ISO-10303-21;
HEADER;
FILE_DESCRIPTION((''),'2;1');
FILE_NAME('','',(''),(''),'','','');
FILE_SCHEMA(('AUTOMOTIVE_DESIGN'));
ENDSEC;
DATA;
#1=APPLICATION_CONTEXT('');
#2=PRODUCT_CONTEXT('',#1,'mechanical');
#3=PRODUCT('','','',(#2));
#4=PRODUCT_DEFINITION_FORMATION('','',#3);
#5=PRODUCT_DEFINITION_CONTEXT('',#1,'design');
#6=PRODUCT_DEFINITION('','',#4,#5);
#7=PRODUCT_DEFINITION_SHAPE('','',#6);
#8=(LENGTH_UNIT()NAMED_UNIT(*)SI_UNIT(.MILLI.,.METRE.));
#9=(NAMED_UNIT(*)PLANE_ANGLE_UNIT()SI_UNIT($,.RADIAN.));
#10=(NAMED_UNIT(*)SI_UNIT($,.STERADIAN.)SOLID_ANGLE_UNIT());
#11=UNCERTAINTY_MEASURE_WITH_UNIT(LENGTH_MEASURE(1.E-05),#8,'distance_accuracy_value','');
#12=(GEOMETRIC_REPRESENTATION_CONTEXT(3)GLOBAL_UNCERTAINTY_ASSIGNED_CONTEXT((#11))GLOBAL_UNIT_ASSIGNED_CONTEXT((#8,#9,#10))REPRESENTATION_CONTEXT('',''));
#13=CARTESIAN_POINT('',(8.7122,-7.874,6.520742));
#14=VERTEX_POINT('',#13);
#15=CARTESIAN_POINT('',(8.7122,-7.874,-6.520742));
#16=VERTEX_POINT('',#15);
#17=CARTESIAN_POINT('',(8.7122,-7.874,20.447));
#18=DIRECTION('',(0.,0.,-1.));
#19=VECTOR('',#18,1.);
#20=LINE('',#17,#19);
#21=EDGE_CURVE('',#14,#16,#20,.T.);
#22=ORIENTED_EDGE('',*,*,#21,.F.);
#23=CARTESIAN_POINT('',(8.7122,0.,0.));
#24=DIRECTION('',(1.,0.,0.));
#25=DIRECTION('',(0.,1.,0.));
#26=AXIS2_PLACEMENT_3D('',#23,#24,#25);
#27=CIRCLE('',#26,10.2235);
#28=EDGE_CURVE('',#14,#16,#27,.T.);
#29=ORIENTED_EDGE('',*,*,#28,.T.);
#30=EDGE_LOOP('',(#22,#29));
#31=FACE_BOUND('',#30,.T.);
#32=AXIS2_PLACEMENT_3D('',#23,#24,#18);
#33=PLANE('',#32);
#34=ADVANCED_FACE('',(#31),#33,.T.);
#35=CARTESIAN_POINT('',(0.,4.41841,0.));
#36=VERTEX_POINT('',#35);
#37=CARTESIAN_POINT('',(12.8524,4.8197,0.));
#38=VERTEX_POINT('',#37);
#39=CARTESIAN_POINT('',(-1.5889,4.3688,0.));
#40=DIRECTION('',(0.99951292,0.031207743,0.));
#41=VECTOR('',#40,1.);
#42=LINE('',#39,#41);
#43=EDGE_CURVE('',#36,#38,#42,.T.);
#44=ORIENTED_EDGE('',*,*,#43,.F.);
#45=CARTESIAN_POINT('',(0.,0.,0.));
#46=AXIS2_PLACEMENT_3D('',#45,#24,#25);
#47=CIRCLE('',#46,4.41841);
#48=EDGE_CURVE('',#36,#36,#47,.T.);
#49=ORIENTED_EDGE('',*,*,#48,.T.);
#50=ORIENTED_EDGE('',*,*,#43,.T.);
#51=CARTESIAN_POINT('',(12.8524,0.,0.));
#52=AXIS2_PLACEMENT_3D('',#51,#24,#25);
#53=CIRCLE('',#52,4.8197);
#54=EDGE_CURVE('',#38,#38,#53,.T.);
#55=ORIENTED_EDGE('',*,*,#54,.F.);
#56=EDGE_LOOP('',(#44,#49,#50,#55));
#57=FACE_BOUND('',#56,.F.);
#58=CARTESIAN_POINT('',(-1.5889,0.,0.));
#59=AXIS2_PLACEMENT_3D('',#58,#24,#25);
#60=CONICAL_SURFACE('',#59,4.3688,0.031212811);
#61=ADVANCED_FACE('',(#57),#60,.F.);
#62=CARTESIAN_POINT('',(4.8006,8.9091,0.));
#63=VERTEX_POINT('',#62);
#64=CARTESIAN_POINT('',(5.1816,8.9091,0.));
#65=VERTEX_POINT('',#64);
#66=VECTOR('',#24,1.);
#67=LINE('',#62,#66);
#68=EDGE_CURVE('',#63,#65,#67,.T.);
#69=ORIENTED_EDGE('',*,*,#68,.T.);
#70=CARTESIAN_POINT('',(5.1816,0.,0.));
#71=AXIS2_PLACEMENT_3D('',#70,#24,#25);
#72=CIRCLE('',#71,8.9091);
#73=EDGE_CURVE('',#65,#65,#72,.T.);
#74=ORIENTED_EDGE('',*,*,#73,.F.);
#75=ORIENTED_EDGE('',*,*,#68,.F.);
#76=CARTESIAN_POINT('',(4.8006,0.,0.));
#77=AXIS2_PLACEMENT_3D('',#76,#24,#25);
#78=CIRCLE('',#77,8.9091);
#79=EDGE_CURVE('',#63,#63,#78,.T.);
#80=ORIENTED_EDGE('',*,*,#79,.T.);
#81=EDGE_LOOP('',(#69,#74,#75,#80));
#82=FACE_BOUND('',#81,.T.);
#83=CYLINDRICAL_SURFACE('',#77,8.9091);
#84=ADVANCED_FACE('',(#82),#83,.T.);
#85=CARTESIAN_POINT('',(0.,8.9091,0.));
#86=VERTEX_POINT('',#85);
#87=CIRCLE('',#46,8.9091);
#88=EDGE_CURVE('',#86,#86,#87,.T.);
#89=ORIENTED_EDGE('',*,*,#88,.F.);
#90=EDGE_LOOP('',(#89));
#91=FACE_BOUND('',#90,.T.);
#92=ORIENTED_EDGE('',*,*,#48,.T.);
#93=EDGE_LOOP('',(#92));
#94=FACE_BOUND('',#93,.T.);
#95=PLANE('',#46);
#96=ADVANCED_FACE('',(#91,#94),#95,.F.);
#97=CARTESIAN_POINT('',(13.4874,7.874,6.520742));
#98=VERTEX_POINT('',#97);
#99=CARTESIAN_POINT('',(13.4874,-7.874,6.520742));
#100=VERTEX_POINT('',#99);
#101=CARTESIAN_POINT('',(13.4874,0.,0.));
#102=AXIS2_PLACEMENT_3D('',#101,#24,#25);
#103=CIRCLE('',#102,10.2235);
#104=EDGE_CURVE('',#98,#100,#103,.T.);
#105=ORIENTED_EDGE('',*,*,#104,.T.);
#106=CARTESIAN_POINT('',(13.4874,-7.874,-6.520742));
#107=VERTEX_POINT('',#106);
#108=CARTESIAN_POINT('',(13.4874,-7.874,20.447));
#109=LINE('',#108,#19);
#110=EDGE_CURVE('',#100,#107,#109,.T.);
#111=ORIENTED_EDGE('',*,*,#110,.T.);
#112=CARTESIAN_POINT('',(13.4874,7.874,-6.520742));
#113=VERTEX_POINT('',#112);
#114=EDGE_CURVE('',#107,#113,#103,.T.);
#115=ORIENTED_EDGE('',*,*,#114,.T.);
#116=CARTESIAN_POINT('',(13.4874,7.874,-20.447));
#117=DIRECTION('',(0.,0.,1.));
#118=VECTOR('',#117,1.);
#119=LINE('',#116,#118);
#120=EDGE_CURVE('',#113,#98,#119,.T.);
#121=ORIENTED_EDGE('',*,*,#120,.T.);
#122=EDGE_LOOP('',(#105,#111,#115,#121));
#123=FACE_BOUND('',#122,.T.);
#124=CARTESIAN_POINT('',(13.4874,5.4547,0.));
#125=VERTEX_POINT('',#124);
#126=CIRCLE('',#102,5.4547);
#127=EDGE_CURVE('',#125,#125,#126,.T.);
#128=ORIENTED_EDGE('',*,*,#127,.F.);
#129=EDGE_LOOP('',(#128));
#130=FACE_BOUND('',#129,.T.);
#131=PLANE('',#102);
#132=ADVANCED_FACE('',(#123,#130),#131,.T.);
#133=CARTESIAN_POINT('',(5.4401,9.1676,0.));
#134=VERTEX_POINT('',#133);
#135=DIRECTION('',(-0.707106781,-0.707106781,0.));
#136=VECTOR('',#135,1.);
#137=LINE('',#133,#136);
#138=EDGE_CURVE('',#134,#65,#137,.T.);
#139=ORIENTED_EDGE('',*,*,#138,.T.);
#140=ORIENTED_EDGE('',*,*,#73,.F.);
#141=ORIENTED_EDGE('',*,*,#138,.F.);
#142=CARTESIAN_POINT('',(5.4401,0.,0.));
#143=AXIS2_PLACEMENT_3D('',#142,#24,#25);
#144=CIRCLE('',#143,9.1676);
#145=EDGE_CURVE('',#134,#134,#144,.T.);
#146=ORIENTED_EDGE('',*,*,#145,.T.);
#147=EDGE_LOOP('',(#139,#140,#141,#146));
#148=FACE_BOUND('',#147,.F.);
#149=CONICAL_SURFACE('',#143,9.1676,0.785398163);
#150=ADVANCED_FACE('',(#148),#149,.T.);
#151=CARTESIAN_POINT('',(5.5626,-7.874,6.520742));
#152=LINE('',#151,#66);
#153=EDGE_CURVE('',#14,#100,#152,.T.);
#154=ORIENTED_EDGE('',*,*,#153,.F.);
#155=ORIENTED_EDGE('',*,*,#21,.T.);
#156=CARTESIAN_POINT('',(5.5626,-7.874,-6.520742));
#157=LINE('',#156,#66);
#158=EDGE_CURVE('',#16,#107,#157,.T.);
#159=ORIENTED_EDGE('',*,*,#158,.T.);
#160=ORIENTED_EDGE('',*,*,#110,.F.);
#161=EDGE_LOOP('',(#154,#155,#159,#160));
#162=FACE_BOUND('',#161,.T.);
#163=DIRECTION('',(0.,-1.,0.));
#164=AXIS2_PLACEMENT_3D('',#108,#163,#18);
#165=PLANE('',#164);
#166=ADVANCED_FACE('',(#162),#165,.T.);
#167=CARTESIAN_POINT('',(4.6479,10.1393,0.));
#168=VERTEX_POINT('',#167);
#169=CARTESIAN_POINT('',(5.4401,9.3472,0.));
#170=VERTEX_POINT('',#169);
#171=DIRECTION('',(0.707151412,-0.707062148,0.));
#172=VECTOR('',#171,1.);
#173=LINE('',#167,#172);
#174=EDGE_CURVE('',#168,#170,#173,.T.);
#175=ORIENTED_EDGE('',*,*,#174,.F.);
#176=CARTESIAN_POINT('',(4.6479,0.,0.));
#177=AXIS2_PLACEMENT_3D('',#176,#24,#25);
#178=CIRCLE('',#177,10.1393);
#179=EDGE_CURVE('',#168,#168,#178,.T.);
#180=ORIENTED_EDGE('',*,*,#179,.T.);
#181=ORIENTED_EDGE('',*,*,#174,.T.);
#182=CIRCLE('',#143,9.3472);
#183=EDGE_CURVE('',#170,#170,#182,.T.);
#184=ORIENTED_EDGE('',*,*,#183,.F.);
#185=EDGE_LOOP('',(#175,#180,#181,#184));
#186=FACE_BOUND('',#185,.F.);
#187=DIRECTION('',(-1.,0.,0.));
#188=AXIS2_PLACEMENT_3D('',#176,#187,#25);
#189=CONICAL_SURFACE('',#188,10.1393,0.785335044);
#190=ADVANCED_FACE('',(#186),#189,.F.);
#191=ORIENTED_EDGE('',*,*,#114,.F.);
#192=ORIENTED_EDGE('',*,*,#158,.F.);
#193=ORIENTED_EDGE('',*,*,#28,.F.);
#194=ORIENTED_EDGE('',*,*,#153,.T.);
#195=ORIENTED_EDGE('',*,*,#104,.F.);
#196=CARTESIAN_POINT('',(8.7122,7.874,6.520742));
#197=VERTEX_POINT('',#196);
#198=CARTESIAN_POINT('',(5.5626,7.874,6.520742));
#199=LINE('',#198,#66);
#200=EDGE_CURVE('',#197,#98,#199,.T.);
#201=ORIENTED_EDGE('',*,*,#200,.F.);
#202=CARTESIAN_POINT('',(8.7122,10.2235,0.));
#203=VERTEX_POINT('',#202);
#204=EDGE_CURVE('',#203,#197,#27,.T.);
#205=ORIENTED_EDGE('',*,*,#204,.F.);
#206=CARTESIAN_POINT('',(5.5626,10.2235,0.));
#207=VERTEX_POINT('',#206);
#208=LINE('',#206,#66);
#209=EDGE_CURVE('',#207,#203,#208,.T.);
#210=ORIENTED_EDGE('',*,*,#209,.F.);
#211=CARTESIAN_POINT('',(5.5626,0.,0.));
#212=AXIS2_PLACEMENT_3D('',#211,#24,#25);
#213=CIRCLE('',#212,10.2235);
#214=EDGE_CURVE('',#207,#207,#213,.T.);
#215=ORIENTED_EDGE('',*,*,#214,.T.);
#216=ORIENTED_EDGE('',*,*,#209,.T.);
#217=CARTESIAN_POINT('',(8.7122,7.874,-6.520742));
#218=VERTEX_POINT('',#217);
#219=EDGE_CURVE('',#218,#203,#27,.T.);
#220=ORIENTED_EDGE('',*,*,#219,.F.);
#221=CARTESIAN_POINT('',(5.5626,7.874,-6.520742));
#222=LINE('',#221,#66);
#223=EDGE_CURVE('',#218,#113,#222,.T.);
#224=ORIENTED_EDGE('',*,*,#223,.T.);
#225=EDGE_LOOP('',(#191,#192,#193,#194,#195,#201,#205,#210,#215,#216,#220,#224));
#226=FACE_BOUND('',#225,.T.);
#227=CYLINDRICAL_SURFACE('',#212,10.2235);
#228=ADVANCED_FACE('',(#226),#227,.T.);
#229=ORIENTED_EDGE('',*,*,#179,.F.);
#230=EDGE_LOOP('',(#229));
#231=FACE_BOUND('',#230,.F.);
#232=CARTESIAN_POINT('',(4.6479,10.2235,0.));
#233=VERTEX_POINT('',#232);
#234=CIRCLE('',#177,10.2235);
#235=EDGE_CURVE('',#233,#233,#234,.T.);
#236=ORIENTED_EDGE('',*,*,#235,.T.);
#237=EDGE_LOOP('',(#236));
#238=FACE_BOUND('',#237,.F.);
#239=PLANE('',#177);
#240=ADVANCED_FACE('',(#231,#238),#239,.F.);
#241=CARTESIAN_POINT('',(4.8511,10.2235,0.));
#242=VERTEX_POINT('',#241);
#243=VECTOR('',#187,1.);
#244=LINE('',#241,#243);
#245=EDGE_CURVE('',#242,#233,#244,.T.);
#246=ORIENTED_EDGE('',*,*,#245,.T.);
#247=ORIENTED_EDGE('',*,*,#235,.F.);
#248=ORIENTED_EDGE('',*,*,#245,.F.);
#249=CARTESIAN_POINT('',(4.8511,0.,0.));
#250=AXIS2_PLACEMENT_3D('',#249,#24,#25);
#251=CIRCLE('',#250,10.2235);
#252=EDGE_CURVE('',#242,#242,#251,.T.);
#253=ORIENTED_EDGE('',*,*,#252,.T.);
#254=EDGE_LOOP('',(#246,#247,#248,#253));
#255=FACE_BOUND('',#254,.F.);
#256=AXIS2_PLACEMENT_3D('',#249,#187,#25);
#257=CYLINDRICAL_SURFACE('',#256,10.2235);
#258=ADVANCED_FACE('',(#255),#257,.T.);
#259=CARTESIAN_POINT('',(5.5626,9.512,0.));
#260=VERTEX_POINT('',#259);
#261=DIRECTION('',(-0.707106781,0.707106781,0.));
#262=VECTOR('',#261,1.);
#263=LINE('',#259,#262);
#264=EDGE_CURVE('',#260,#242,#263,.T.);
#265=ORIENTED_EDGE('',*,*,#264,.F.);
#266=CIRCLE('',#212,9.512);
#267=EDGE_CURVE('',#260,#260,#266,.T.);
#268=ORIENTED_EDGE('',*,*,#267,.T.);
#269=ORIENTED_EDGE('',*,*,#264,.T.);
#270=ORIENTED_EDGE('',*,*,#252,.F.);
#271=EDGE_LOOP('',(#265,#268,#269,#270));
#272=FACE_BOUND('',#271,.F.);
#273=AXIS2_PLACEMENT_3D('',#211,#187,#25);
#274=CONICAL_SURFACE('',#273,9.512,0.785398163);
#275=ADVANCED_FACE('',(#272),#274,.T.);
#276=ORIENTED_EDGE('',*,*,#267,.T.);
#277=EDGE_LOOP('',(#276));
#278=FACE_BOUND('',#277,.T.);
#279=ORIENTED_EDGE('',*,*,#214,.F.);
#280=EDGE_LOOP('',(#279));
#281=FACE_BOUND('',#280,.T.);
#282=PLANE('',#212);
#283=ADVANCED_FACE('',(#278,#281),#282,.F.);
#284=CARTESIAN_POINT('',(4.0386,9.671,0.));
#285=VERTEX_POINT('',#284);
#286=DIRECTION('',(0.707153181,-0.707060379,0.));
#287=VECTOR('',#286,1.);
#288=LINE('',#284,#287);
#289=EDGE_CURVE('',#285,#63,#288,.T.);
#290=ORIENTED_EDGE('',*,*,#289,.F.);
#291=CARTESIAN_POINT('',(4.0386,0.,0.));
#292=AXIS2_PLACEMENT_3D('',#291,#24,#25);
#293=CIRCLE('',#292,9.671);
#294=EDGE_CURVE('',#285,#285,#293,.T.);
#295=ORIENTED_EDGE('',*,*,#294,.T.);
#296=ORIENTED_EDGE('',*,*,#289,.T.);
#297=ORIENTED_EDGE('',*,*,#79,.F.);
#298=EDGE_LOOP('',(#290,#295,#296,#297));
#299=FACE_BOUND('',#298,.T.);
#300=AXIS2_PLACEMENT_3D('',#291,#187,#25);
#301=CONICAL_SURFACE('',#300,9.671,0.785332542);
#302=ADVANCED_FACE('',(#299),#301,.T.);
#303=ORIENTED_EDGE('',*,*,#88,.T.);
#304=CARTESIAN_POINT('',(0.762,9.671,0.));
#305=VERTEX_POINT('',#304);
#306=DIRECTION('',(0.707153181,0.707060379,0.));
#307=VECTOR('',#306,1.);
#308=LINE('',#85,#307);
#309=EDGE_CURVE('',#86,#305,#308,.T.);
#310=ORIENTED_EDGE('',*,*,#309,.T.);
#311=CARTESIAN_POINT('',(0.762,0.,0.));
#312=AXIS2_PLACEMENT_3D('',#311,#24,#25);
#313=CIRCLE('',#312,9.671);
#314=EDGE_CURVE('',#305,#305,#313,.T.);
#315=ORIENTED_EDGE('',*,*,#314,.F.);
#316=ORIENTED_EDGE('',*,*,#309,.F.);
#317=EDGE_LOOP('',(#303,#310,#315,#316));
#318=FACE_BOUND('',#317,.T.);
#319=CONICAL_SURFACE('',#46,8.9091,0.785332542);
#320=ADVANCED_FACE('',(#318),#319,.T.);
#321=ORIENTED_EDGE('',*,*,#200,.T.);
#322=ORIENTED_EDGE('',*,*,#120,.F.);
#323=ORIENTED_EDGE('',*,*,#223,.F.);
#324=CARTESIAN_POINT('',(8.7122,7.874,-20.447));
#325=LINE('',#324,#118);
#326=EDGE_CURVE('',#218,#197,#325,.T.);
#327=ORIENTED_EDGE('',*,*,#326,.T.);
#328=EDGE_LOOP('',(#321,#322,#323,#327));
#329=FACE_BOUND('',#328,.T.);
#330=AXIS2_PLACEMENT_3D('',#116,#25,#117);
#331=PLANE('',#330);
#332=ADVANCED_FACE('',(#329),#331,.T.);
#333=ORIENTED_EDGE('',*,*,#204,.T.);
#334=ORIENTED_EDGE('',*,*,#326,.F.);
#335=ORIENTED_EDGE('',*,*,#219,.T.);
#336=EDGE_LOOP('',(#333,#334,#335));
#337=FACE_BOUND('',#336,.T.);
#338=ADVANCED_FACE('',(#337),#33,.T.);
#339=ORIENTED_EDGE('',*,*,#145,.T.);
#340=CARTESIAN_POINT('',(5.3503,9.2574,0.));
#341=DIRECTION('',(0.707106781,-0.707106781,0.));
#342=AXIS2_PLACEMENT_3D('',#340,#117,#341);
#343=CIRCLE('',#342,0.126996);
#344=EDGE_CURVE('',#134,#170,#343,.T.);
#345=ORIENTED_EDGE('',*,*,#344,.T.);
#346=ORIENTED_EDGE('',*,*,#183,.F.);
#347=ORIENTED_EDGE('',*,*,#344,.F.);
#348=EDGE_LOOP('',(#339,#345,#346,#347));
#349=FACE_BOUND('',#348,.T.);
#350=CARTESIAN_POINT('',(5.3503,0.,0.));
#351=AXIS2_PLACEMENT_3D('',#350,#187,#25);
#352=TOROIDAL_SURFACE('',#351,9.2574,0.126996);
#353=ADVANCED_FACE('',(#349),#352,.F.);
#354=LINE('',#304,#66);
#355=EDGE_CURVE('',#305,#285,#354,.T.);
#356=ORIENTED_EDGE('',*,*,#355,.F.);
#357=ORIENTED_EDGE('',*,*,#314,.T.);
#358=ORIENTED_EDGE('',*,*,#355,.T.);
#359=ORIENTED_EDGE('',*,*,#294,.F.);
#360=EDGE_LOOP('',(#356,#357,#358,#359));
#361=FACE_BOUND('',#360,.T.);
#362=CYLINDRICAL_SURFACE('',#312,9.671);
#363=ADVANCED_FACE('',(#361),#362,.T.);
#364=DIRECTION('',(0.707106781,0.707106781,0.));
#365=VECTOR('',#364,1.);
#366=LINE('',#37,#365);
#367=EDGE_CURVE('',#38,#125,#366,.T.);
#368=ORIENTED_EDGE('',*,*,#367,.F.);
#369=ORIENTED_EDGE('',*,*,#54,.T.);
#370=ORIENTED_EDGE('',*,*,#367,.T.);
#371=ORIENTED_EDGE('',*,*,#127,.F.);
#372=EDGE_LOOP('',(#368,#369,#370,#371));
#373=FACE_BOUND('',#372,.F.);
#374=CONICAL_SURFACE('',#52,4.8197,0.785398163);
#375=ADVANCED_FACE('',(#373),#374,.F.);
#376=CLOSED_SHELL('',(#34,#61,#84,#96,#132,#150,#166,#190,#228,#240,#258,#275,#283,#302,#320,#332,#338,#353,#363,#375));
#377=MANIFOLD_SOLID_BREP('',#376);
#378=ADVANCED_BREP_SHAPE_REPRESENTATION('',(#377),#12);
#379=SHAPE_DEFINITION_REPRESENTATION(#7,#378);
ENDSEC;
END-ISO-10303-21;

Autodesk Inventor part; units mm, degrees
sketch "Sketch_1" plane through (0, 0, 0) normal (0, 0, 1) x (1, 0, 0)
  line L0 (13.4874, 0) -> (0, 0)
  line L1 (0, 0) -> (0, 8.9091)
  line L2 (0, 8.9091) -> (0.762, 9.671)
  line L3 (0.762, 9.671) -> (4.0386, 9.671)
  line L4 (4.0386, 9.671) -> (4.8006, 8.9091)
  line L5 (4.8006, 8.9091) -> (5.5626, 8.9091)
  line L6 (5.5626, 8.9091) -> (5.5626, 10.2235)
  line L7 (5.5626, 10.2235) -> (13.4874, 10.2235)
  line L8 (13.4874, 10.2235) -> (13.4874, 0)
  line L9 (13.4874, 0) -> (0, 0)
revolve "Revolution1" add sketch "Sketch_1" angle 360 about axis through (13.4874, 0, 0) along (1, 0, 0)
sketch "Sketch_6" plane through (0, 0, 0) normal (0, 0, 1) x (1, 0, 0)
  line L0 (13.4874, 0) -> (0, 0)
  line L1 (0, 0) -> (0, 4.3688)
  line L2 (0, 4.3688) -> (-1.5889, 4.3688)
  line L3 (-1.5889, 4.3688) -> (12.8524, 4.8197)
  line L4 (12.8524, 4.8197) -> (13.4874, 5.4547)
  line L5 (13.4874, 5.4547) -> (13.4874, 0)
  line L6 (13.4874, 0) -> (0, 0)
revolve "Revolution2" cut sketch "Sketch_6" angle 360 about axis through (13.4874, 0, 0) along (1, 0, 0)
thread "Thread1" size "1/8" designation "1/8 - 27 NPT" standard "NPT" length 7.0392
sketch "Sketch_5" plane through (13.4874, 0, 0) normal (1, 0, 0) x (0, 0, -1)
  line L0 (-40.894, -20.447) -> (40.894, -20.447)
  line L1 (40.894, -20.447) -> (40.894, 20.447)
  line L2 (40.894, 20.447) -> (-40.894, 20.447)
  line L3 (-40.894, 20.447) -> (-40.894, -20.447)
  line L4 (-20.447, -7.874) -> (20.447, -7.874)
  line L5 (20.447, -7.874) -> (20.447, 7.874)
  line L6 (20.447, 7.874) -> (-20.447, 7.874)
  line L7 (-20.447, 7.874) -> (-20.447, -7.874)
extrude "Extrusion1" cut sketch "Sketch_5" against normal blind 4.7752
sketch "Sketch_24" plane through (0, 0, 0) normal (0, 0, 1) x (1, 0, 0)
  line L0 (5.5626, 0) -> (4.8006, 0)
  line L1 (4.6479, 10.2235) -> (4.6479, 10.1393)
  line L2 (4.6479, 10.1393) -> (5.4401, 9.3472)
  arc A0 (5.4401, 9.1676) -> (5.4401, 9.3472) centre (5.3503, 9.2574) ccw
  line L3 (5.4401, 9.1676) -> (5.1816, 8.9091)
  line L4 (5.1816, 8.9091) -> (4.8006, 8.9091)
  line L5 (4.8006, 8.9091) -> (4.8006, 8.655)
  line L6 (4.8006, 8.655) -> (5.5626, 8.655)
  line L7 (5.5626, 8.655) -> (5.5626, 9.512)
  line L8 (5.5626, 9.512) -> (4.8511, 10.2235)
  line L9 (4.8511, 10.2235) -> (4.6479, 10.2235)
revolve "Revolution3" add sketch "Sketch_24" angle 360 about axis through (5.5626, 0, 0) along (1, 0, 0)
ref_plane "cut1_XY" through (13.4874, 7.874, 0) normal (1, 0, 0) x (0, 0, -1)
ref_plane "cut1_YZ" through (13.4874, 7.874, 0) normal (0, 0, -1) x (0, 1, 0)
ref_plane "cut1_ZX" through (13.4874, 7.874, 0) normal (0, 1, 0) x (1, 0, 0)
ref_plane "cut2_XY" through (13.4874, -7.874, 0) normal (1, 0, 0) x (0, 0, -1)
ref_plane "cut2_YZ" through (13.4874, -7.874, 0) normal (0, 0, -1) x (0, 1, 0)
ref_plane "cut2_ZX" through (13.4874, -7.874, 0) normal (0, 1, 0) x (1, 0, 0)
ref_plane "cutf1_XY" through (13.4874, 0, 0) normal (0, 0, 1) x (1, 0, 0)
ref_plane "cutf1_YZ" through (13.4874, 0, 0) normal (1, 0, 0) x (0, 1, 0)
ref_plane "cutf1_ZX" through (13.4874, 0, 0) normal (0, 1, 0) x (0, 0, 1)
ref_plane "cutf2_XY" through (8.7122, 0, 0) normal (0, 0, 1) x (1, 0, 0)
ref_plane "cutf2_YZ" through (8.7122, 0, 0) normal (1, 0, 0) x (0, 1, 0)
ref_plane "cutf2_ZX" through (8.7122, 0, 0) normal (0, 1, 0) x (0, 0, 1)
ref_plane "lovra_XY" through (13.4874, 0, 0) normal (1, 0, 0) x (0, 1, 0)
ref_plane "lovra_YZ" through (13.4874, 0, 0) normal (0, 1, 0) x (0, 0, 1)
ref_plane "lovra_ZX" through (13.4874, 0, 0) normal (0, 0, 1) x (1, 0, 0)
ref_plane "lovra1_XY" through (8.7122, 0, 0) normal (1, 0, 0) x (0, 0, -1)
ref_plane "lovra1_YZ" through (8.7122, 0, 0) normal (0, 0, -1) x (0, 1, 0)
ref_plane "lovra1_ZX" through (8.7122, 0, 0) normal (0, 1, 0) x (1, 0, 0)
ref_plane "lovra2_XY" through (8.7122, 7.874, 0) normal (1, 0, 0) x (0, 0, -1)
ref_plane "lovra2_YZ" through (8.7122, 7.874, 0) normal (0, 0, -1) x (0, 1, 0)
ref_plane "lovra2_ZX" through (8.7122, 7.874, 0) normal (0, 1, 0) x (1, 0, 0)
ref_plane "lovra21_XY" through (0, 0, 5.2705) normal (1, 0, 0) x (0, 0, -1)
ref_plane "lovra21_YZ" through (0, 0, 5.2705) normal (0, 0, -1) x (0, 1, 0)
ref_plane "lovra21_ZX" through (0, 0, 5.2705) normal (0, 1, 0) x (1, 0, 0)
ref_plane "lovra22_XY" through (0, 0, -5.2705) normal (1, 0, 0) x (0, 0, -1)
ref_plane "lovra22_YZ" through (0, 0, -5.2705) normal (0, 0, -1) x (0, 1, 0)
ref_plane "lovra22_ZX" through (0, 0, -5.2705) normal (0, 1, 0) x (1, 0, 0)
ref_plane "lovra3_XY" through (8.7122, -7.874, 0) normal (1, 0, 0) x (0, 0, -1)
ref_plane "lovra3_YZ" through (8.7122, -7.874, 0) normal (0, 0, -1) x (0, 1, 0)
ref_plane "lovra3_ZX" through (8.7122, -7.874, 0) normal (0, 1, 0) x (1, 0, 0)
ref_plane "olen_XY" through (13.4874, 0, 0) normal (1, 0, 0) x (0, 0, -1)
ref_plane "olen_YZ" through (13.4874, 0, 0) normal (0, 0, -1) x (0, 1, 0)
ref_plane "olen_ZX" through (13.4874, 0, 0) normal (0, 1, 0) x (1, 0, 0)
ref_plane "to_mounting_bracket_XY" through (24.6126, 0, 0) normal (1, 0, 0) x (0, 0, -1)
ref_plane "to_mounting_bracket_YZ" through (24.6126, 0, 0) normal (0, 0, -1) x (0, 1, 0)
ref_plane "to_mounting_bracket_ZX" through (24.6126, 0, 0) normal (0, 1, 0) x (1, 0, 0)
ref_plane "to_nut_XY" through (0, 0, 0) normal (1, 0, 0) x (0, 0, -1)
ref_plane "to_nut_YZ" through (0, 0, 0) normal (0, 0, -1) x (0, 1, 0)
ref_plane "to_nut_ZX" through (0, 0, 0) normal (0, 1, 0) x (1, 0, 0)
ref_plane "to_pin_XY" through (33.3248, 0, 0) normal (0, 1, 0) x (1, 0, 0)
ref_plane "to_pin_YZ" through (33.3248, 0, 0) normal (1, 0, 0) x (0, 0, -1)
ref_plane "to_pin_ZX" through (33.3248, 0, 0) normal (0, 0, -1) x (0, 1, 0)
ref_plane "to_pin_1_XY" through (33.3248, 0, 0) normal (0, 0, 1) x (1, 0, 0)
ref_plane "to_pin_1_YZ" through (33.3248, 0, 0) normal (1, 0, 0) x (0, 1, 0)
ref_plane "to_pin_1_ZX" through (33.3248, 0, 0) normal (0, 1, 0) x (0, 0, 1)
ref_plane "to_pin_r_XY" through (33.3248, 0, 0) normal (0, 0, 1) x (1, 0, 0)
ref_plane "to_pin_r_YZ" through (33.3248, 0, 0) normal (1, 0, 0) x (0, 1, 0)
ref_plane "to_pin_r_ZX" through (33.3248, 0, 0) normal (0, 1, 0) x (0, 0, 1)
ref_plane "to_screw_XY" through (17.4752, 2.032, -6.0452) normal (0, 1, 0) x (1, 0, 0)
ref_plane "to_screw_YZ" through (17.4752, 2.032, -6.0452) normal (1, 0, 0) x (0, 0, -1)
ref_plane "to_screw_ZX" through (17.4752, 2.032, -6.0452) normal (0, 0, -1) x (0, 1, 0)
ref_plane "to_tube_XY" through (4.8006, 0, 0) normal (1, 0, 0) x (0, 0, -1)
ref_plane "to_tube_YZ" through (4.8006, 0, 0) normal (0, 0, -1) x (0, 1, 0)
ref_plane "to_tube_ZX" through (4.8006, 0, 0) normal (0, 1, 0) x (1, 0, 0)
properties part number "040000_rear_head"
